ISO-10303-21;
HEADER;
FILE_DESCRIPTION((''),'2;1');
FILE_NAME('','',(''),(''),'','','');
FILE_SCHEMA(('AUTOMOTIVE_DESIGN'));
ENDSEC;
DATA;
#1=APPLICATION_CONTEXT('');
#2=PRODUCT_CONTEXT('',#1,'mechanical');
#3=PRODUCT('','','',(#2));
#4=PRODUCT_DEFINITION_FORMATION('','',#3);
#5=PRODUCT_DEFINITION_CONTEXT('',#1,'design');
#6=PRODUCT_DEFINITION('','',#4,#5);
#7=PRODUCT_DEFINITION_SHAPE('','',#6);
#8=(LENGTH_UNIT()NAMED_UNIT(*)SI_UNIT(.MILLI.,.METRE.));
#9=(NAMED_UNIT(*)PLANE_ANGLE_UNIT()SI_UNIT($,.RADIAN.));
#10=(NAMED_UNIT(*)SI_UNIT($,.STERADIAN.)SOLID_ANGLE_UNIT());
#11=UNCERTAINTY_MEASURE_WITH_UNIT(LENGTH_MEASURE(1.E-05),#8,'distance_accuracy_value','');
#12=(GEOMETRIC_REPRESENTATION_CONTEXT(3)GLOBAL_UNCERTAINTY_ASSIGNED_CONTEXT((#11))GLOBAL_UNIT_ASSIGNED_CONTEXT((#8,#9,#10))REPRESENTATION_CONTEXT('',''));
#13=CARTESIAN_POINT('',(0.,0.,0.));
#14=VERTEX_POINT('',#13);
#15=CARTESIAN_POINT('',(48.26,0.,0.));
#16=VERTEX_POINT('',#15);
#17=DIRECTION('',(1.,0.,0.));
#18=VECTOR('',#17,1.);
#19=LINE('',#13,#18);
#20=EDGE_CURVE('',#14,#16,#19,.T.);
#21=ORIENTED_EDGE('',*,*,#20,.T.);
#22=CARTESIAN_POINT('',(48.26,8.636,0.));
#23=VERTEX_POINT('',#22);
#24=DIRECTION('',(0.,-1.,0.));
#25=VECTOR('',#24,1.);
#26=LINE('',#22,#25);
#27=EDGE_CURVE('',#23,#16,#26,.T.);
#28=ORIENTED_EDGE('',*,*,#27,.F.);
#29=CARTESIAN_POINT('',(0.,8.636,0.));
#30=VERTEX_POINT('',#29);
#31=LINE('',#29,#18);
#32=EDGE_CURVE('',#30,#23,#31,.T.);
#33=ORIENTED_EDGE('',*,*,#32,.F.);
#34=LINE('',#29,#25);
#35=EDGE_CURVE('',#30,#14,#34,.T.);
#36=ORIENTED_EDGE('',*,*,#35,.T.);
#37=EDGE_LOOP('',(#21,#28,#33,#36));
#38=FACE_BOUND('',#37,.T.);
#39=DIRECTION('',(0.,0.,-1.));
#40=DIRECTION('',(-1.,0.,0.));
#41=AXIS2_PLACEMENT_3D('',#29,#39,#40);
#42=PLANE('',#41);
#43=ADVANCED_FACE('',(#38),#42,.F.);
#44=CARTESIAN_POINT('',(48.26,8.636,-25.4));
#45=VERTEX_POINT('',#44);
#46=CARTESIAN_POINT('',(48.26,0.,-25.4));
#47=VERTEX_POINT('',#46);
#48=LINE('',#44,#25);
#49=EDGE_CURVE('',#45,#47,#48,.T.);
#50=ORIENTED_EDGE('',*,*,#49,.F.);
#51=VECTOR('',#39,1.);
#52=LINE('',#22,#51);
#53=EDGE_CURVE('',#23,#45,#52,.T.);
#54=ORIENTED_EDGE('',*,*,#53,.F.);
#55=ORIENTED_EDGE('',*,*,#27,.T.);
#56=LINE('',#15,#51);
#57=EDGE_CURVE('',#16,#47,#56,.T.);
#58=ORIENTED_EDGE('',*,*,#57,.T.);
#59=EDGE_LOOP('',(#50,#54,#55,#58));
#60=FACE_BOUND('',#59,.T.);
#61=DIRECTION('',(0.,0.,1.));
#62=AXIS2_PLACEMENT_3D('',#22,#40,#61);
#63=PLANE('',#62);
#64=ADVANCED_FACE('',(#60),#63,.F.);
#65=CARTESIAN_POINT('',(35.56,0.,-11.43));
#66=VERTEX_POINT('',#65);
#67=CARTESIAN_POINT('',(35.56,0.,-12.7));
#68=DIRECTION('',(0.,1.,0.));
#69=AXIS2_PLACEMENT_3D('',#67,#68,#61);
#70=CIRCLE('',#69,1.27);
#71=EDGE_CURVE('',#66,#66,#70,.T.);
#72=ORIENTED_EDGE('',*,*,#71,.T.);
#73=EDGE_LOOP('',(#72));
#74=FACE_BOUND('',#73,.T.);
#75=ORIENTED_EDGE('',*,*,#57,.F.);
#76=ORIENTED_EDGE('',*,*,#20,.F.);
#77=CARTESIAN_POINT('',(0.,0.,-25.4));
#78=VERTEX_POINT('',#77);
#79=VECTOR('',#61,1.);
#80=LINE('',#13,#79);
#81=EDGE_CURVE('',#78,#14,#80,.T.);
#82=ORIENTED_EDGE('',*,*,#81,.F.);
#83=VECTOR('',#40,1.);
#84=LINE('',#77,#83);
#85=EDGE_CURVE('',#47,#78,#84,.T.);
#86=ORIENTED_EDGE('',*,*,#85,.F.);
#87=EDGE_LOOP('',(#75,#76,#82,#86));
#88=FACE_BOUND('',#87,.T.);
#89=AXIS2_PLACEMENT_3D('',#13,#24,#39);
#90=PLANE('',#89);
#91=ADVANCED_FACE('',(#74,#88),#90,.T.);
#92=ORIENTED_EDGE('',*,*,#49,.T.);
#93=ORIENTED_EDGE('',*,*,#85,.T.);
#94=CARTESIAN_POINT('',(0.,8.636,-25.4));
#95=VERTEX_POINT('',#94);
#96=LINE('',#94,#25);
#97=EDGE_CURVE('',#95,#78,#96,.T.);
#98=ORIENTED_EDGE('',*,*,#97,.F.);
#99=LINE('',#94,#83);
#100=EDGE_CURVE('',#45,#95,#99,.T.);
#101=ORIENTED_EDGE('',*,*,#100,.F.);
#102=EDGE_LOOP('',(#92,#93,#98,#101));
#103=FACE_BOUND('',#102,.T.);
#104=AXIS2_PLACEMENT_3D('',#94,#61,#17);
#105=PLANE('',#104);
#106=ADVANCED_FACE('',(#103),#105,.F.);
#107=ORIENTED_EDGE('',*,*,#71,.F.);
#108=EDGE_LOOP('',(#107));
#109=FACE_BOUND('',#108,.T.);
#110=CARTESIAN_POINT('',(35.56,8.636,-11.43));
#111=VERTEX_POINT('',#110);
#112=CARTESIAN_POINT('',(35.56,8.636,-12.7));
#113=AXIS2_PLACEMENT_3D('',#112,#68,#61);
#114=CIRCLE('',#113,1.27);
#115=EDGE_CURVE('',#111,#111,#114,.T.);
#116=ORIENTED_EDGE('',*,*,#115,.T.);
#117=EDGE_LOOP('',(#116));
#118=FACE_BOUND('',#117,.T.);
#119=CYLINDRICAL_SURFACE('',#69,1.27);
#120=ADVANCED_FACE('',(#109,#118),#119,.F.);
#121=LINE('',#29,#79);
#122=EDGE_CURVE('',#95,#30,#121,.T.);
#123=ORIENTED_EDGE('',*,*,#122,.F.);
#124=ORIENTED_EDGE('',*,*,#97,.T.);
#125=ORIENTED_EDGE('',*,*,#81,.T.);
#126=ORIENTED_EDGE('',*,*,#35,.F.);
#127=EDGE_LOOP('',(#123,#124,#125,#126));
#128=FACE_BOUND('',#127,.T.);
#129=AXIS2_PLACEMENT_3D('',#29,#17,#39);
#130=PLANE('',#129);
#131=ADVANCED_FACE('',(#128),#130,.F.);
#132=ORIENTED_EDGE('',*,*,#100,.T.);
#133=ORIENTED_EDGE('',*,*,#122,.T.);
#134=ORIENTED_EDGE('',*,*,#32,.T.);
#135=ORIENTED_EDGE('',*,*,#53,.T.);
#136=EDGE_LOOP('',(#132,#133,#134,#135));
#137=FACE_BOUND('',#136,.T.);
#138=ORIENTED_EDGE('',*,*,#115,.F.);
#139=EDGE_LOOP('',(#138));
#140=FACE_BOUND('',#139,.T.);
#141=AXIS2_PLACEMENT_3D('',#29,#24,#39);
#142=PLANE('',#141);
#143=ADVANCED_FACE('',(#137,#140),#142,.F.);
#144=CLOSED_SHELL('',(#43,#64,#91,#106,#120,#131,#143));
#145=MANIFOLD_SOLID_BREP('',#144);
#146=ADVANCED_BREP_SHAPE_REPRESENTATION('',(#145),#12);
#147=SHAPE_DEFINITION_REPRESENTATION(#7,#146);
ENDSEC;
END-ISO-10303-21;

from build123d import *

# Parameters (mm, degrees)
SKETCH1_W           = 48.26
SKETCH1_H           = 25.4
BOSS_EXTRUDE1_DEPTH = 8.636
SKETCH2_R           = 1.27
CUT_EXTRUDE1_DEPTH  = 9.636


with BuildPart() as part:
    # Sketch1 → Boss-Extrude1 (new body)
    with BuildSketch(Plane(origin=(0, 0, 0), x_dir=(1, 0, 0), z_dir=(0, 1, 0))):
        with Locations((24.13, 12.7)):
            Rectangle(SKETCH1_W, SKETCH1_H)
    extrude(amount=BOSS_EXTRUDE1_DEPTH)

    # Sketch2 → Cut-Extrude1 (cut, through all)
    with BuildSketch(Plane(origin=(0, 8.636, 0), x_dir=(1, 0, 0), z_dir=(0, 1, 0))):
        with Locations((35.56, 12.7)):
            Circle(SKETCH2_R)
    extrude(amount=-CUT_EXTRUDE1_DEPTH, mode=Mode.SUBTRACT)


solid = part.part
